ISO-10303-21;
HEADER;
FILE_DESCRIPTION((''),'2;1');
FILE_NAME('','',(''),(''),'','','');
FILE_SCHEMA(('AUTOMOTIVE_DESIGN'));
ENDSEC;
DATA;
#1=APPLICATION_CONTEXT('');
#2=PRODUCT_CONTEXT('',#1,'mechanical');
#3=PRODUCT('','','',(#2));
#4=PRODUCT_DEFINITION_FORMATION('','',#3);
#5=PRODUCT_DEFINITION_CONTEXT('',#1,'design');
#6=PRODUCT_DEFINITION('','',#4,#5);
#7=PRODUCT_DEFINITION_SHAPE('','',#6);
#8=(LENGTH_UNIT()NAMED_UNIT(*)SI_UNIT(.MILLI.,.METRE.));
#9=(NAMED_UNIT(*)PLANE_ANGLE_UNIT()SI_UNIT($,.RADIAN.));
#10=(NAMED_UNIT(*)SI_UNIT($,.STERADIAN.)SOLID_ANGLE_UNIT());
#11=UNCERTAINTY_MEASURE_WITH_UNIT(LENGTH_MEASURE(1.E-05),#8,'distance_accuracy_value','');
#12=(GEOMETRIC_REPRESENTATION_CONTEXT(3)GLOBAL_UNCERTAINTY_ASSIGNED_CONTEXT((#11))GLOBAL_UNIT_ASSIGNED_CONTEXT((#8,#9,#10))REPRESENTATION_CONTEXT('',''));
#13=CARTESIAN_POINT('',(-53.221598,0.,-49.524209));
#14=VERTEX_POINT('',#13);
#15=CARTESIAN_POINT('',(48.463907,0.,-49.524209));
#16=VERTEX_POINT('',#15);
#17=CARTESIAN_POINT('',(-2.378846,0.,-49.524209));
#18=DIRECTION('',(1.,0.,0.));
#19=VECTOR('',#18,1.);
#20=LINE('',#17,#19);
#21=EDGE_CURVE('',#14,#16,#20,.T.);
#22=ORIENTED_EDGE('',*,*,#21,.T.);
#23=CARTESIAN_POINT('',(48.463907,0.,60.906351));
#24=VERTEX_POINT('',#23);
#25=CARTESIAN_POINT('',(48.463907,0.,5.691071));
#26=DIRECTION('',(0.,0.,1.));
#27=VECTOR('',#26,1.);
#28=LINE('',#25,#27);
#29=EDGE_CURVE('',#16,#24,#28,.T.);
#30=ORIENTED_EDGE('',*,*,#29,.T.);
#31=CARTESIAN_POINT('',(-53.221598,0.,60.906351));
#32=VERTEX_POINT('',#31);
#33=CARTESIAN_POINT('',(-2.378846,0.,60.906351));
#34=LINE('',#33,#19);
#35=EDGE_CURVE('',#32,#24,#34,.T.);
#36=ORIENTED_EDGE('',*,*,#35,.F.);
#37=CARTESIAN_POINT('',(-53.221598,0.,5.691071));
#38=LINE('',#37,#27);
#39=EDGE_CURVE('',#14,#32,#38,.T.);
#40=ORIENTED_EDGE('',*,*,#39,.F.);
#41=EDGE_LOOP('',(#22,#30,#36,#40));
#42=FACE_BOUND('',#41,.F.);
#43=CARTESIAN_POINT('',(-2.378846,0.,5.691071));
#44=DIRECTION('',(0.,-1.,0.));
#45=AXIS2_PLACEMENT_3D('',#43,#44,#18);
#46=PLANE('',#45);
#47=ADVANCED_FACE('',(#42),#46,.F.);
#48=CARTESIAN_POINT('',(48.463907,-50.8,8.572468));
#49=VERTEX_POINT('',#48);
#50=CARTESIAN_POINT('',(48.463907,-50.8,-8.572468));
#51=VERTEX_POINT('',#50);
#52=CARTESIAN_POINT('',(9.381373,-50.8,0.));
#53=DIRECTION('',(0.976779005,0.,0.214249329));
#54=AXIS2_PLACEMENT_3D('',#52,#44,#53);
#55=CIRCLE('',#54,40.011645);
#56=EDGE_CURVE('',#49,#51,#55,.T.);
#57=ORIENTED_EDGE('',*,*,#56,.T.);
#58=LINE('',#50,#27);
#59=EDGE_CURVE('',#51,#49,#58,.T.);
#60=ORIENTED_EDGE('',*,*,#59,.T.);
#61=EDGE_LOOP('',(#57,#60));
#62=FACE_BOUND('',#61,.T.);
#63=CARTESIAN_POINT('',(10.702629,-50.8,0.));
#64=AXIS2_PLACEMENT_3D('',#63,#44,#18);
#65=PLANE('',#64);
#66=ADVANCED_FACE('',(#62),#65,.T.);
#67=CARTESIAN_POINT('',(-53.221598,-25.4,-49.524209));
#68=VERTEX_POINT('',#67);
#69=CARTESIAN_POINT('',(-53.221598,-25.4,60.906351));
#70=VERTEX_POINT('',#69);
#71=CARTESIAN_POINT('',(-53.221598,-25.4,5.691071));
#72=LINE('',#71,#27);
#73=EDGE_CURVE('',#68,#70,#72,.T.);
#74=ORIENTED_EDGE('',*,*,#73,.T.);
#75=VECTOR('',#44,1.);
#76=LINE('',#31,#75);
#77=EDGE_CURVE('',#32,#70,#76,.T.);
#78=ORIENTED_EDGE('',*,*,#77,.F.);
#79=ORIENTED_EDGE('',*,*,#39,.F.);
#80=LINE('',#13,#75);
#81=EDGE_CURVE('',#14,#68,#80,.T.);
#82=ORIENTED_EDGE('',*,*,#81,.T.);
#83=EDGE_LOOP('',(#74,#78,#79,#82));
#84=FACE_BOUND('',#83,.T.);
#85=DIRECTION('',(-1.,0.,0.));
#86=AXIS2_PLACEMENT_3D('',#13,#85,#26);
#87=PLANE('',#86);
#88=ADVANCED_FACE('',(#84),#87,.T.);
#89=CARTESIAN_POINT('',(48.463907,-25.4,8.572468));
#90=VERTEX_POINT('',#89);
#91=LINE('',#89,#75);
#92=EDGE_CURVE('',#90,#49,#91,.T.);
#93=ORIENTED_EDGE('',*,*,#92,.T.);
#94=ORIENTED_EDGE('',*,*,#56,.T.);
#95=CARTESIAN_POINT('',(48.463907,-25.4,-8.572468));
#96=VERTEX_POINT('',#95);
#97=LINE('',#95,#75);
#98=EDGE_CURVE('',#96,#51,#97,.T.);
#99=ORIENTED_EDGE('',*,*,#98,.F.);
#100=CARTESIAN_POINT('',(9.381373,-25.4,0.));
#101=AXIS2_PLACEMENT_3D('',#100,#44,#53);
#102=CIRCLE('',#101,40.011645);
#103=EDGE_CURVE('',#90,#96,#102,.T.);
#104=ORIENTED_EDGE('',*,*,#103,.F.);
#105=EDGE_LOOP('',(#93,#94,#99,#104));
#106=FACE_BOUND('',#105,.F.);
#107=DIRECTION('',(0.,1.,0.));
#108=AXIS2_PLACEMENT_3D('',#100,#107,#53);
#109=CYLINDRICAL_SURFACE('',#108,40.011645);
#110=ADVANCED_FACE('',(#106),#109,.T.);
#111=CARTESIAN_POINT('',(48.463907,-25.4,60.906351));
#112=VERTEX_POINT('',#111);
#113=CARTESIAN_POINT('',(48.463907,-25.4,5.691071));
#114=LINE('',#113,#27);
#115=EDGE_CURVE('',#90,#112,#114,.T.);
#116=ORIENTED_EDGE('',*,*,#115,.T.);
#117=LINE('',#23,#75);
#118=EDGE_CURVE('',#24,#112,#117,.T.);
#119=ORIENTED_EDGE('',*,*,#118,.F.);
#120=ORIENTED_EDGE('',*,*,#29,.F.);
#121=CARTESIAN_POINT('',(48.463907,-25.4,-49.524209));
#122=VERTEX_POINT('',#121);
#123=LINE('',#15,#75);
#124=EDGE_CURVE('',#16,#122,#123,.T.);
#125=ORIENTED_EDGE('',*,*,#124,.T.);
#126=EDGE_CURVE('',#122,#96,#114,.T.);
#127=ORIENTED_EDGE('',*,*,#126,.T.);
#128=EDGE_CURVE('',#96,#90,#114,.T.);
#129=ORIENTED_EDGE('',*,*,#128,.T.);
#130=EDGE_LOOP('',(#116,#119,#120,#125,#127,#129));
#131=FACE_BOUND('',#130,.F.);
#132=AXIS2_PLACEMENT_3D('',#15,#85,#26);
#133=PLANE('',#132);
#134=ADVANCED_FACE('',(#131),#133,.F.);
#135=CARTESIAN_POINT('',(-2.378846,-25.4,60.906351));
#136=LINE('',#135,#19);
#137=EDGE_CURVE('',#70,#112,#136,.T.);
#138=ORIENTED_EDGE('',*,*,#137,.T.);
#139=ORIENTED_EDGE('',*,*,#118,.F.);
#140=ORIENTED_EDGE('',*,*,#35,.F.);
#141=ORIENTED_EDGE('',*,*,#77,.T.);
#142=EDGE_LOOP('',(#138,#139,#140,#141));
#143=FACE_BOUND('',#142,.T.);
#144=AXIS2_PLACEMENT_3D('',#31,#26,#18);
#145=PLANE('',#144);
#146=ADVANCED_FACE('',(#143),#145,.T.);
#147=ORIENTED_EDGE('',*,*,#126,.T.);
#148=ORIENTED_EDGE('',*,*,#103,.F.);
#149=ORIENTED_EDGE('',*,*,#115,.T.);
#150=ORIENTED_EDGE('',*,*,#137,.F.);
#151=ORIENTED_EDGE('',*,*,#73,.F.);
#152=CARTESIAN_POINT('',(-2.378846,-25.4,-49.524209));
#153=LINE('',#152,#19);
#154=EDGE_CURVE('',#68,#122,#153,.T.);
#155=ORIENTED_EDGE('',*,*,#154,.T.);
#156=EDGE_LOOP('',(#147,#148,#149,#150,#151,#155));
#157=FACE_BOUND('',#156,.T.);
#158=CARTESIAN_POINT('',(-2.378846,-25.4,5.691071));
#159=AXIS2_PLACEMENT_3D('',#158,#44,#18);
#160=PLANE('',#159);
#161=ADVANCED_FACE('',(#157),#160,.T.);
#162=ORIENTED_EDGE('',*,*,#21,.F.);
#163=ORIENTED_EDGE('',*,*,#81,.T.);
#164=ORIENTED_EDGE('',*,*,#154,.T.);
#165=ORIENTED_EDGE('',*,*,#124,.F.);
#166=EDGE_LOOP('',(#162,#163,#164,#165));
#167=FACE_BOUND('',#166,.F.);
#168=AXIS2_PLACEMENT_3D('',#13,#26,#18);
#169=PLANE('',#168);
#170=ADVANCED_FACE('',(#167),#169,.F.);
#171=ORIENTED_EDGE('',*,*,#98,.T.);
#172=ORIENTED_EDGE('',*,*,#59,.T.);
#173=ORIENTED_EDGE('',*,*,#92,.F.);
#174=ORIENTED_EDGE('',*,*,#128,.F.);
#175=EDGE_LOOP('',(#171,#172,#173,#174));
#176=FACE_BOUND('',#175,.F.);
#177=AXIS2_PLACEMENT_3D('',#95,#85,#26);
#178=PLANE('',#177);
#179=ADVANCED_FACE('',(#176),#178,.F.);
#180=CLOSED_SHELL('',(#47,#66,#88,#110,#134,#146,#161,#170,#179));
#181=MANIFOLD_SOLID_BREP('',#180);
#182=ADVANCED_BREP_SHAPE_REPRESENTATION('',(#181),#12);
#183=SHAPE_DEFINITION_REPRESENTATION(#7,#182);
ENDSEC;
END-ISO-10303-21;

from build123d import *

# Parameters (mm, degrees)
F0_W     = 101.685505
F0_H     = 110.430561
F1_DEPTH = 25.4
F3_DEPTH = 25.4


with BuildPart() as f1:
    # F0 (on Front) → F1 (new body)
    with BuildSketch(Plane.XZ):
        with Locations((-2.378846, 5.691071)):
            Rectangle(F0_W, F0_H)
    extrude(amount=F1_DEPTH)

    # F2 (on face) → F3 (join)
    with BuildSketch(Plane.XZ.offset(25.4)):
        with BuildLine():
            Line((48.463907, -8.572468), (48.463907, 8.572468))
            ThreePointArc((48.463907, 8.572468), (-30.630272, 0), (48.463907, -8.572468))
        make_face()
    extrude(amount=F3_DEPTH)


solid = f1.part
